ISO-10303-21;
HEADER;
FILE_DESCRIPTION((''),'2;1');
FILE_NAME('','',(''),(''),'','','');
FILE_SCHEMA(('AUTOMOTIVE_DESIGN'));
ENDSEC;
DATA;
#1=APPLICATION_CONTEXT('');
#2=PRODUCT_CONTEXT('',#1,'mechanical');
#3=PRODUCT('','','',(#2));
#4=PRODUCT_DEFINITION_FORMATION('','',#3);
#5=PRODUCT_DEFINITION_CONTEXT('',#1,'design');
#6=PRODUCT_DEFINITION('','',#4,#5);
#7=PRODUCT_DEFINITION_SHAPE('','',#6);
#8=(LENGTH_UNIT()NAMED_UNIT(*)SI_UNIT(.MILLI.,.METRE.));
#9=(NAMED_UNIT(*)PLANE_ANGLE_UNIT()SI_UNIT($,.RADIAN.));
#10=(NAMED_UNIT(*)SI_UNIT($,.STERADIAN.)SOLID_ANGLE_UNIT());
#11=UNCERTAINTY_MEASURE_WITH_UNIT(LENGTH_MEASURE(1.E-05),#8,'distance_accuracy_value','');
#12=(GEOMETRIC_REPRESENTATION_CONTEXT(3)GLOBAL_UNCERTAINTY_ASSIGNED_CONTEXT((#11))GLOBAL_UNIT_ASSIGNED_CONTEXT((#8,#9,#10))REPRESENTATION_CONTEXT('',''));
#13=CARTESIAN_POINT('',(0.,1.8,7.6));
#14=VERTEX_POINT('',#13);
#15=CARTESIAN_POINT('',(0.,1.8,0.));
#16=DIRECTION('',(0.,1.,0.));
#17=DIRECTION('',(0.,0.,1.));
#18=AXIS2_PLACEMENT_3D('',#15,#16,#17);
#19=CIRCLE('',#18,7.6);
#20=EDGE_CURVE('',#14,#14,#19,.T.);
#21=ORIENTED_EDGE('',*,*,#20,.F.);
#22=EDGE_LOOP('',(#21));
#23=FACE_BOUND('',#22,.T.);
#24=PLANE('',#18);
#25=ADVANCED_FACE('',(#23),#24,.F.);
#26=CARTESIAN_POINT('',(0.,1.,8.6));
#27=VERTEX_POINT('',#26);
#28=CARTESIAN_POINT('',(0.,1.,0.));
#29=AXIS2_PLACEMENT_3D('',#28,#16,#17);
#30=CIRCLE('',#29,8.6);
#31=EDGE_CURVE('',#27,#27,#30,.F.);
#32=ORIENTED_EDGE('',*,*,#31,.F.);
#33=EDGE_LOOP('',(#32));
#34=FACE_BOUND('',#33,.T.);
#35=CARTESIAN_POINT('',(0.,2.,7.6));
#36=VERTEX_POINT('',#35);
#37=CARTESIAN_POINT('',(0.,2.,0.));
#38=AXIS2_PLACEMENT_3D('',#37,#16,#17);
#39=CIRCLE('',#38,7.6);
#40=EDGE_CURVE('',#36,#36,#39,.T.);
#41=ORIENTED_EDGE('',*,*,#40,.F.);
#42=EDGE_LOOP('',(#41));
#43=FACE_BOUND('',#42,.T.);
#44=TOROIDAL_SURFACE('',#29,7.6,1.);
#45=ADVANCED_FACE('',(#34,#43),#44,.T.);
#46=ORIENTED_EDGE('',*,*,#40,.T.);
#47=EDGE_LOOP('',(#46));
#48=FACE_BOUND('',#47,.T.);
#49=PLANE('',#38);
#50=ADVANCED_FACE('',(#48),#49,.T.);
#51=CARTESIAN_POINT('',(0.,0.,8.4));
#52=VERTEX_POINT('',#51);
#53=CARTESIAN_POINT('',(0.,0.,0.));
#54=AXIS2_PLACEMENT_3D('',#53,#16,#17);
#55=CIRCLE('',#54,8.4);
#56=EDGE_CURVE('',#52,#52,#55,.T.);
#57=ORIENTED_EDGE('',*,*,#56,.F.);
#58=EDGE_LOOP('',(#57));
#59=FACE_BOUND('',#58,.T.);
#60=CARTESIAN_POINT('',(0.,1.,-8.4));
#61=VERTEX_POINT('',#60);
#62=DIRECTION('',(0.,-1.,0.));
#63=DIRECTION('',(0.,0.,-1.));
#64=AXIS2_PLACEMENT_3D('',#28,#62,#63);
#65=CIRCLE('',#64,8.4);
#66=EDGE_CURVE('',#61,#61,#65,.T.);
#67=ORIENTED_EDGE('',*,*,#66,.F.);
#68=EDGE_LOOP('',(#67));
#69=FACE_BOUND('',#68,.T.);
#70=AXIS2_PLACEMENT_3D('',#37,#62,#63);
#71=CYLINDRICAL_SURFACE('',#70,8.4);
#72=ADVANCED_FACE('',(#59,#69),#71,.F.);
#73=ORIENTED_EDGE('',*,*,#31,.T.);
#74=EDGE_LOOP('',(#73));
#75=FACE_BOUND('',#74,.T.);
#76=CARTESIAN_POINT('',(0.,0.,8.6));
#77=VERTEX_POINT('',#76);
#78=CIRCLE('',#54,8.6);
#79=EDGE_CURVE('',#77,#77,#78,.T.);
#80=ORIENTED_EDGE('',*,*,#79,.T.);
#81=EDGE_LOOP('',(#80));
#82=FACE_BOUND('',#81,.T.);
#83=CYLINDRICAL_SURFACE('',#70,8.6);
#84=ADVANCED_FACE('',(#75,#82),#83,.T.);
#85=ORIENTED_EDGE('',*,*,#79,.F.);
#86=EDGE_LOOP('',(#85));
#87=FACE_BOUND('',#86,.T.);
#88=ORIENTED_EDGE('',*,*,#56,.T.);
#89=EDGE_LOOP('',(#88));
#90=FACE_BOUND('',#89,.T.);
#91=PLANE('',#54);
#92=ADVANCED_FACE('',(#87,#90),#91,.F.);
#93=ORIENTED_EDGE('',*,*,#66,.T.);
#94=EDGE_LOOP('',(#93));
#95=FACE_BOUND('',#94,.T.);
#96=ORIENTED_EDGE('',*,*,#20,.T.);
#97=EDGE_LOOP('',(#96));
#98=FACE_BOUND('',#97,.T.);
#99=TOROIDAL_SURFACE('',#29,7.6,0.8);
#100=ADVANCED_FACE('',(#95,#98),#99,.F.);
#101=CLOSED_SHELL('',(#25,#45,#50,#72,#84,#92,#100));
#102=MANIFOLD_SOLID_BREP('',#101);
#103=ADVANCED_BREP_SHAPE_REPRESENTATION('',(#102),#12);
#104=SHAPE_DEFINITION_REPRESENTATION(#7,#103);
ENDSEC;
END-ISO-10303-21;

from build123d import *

# Parameters (mm, degrees)
SKETCH1_R           = 8.6
BOSS_EXTRUDE1_DEPTH = 2
FILLET1_R           = 1
SHELL1_T            = -0.2


with BuildPart() as part:
    # Sketch1 → Boss-Extrude1 (new body)
    with BuildSketch(Plane(origin=(0, 0, 0), x_dir=(1, 0, 0), z_dir=(0, 1, 0))):
        with Locations(Location((0, 0, 0), (0, 0, 270))):
            Circle(SKETCH1_R)
    extrude(amount=BOSS_EXTRUDE1_DEPTH)

    # Fillet1
    fillet1_edges = [part.edges().sort_by_distance(p)[0] for p in [
        (0, 2, -8.6),
    ]]
    fillet(fillet1_edges, radius=FILLET1_R)

    # Shell1
    shell1_openings = [part.faces().sort_by_distance(p)[0] for p in [
        (0, 0, 0),
    ]]
    offset(amount=SHELL1_T, openings=shell1_openings, kind=Kind.INTERSECTION)


solid = part.part
